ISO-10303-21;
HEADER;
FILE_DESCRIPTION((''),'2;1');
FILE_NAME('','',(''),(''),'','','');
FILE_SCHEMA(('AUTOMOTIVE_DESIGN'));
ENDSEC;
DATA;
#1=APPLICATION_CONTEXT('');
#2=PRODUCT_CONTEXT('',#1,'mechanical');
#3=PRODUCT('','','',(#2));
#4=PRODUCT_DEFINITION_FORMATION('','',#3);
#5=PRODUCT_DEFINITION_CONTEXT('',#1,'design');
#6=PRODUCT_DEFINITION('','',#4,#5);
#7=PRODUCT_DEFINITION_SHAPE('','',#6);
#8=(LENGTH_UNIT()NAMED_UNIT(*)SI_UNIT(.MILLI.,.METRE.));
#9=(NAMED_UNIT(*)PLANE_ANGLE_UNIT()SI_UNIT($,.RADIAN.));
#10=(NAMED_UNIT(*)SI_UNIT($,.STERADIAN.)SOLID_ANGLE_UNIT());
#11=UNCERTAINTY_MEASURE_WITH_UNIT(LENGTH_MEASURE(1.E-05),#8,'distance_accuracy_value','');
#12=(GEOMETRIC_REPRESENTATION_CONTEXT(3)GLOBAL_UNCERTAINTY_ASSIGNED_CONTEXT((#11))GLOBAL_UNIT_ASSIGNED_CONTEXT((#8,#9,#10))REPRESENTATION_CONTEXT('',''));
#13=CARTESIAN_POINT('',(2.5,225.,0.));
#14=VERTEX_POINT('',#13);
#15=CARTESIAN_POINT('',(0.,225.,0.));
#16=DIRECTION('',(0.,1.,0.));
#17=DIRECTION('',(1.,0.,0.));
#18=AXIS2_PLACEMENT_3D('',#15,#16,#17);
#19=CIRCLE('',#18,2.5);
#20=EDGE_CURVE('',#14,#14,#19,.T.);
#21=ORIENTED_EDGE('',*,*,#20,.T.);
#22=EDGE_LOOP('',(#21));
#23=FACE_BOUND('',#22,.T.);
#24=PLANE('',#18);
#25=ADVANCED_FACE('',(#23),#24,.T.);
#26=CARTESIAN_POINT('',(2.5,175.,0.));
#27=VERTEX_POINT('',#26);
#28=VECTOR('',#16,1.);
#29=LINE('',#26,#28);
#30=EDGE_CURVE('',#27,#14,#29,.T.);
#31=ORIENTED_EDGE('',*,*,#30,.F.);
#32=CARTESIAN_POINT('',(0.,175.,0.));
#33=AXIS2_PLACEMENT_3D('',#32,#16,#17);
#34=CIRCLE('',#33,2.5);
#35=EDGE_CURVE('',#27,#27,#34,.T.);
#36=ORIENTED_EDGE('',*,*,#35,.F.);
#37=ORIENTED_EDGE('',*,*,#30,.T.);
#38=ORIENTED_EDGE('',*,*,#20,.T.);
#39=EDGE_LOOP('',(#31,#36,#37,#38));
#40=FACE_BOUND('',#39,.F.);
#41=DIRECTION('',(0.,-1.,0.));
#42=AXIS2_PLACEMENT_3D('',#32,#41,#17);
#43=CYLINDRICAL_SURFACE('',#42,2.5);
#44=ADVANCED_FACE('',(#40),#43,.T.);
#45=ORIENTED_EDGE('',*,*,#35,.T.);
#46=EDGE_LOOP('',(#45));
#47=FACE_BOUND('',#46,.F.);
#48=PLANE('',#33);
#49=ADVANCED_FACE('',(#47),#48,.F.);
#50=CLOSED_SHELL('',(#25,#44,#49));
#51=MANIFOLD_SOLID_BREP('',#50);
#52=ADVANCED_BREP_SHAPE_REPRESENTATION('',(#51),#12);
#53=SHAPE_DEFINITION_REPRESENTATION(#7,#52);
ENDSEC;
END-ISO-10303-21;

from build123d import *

# Parameters (mm, degrees)
SKETCH1_R           = 20
BOSS_EXTRUDE1_DEPTH = 400
SCALE1_SCALE        = 0.125


with BuildPart() as part:
    # Sketch1 → Boss-Extrude1 (new body)
    with BuildSketch(Plane(origin=(0, 0, 0), x_dir=(1, 0, 0), z_dir=(0, 1, 0))):
        Circle(SKETCH1_R)
    extrude(amount=BOSS_EXTRUDE1_DEPTH)


with BuildPart() as part_1:
    # Scale1: scaled about (0, 200, 0)
    add(part.part.scale(SCALE1_SCALE).moved(Location((0, 175, 0))))


solid = part_1.part
